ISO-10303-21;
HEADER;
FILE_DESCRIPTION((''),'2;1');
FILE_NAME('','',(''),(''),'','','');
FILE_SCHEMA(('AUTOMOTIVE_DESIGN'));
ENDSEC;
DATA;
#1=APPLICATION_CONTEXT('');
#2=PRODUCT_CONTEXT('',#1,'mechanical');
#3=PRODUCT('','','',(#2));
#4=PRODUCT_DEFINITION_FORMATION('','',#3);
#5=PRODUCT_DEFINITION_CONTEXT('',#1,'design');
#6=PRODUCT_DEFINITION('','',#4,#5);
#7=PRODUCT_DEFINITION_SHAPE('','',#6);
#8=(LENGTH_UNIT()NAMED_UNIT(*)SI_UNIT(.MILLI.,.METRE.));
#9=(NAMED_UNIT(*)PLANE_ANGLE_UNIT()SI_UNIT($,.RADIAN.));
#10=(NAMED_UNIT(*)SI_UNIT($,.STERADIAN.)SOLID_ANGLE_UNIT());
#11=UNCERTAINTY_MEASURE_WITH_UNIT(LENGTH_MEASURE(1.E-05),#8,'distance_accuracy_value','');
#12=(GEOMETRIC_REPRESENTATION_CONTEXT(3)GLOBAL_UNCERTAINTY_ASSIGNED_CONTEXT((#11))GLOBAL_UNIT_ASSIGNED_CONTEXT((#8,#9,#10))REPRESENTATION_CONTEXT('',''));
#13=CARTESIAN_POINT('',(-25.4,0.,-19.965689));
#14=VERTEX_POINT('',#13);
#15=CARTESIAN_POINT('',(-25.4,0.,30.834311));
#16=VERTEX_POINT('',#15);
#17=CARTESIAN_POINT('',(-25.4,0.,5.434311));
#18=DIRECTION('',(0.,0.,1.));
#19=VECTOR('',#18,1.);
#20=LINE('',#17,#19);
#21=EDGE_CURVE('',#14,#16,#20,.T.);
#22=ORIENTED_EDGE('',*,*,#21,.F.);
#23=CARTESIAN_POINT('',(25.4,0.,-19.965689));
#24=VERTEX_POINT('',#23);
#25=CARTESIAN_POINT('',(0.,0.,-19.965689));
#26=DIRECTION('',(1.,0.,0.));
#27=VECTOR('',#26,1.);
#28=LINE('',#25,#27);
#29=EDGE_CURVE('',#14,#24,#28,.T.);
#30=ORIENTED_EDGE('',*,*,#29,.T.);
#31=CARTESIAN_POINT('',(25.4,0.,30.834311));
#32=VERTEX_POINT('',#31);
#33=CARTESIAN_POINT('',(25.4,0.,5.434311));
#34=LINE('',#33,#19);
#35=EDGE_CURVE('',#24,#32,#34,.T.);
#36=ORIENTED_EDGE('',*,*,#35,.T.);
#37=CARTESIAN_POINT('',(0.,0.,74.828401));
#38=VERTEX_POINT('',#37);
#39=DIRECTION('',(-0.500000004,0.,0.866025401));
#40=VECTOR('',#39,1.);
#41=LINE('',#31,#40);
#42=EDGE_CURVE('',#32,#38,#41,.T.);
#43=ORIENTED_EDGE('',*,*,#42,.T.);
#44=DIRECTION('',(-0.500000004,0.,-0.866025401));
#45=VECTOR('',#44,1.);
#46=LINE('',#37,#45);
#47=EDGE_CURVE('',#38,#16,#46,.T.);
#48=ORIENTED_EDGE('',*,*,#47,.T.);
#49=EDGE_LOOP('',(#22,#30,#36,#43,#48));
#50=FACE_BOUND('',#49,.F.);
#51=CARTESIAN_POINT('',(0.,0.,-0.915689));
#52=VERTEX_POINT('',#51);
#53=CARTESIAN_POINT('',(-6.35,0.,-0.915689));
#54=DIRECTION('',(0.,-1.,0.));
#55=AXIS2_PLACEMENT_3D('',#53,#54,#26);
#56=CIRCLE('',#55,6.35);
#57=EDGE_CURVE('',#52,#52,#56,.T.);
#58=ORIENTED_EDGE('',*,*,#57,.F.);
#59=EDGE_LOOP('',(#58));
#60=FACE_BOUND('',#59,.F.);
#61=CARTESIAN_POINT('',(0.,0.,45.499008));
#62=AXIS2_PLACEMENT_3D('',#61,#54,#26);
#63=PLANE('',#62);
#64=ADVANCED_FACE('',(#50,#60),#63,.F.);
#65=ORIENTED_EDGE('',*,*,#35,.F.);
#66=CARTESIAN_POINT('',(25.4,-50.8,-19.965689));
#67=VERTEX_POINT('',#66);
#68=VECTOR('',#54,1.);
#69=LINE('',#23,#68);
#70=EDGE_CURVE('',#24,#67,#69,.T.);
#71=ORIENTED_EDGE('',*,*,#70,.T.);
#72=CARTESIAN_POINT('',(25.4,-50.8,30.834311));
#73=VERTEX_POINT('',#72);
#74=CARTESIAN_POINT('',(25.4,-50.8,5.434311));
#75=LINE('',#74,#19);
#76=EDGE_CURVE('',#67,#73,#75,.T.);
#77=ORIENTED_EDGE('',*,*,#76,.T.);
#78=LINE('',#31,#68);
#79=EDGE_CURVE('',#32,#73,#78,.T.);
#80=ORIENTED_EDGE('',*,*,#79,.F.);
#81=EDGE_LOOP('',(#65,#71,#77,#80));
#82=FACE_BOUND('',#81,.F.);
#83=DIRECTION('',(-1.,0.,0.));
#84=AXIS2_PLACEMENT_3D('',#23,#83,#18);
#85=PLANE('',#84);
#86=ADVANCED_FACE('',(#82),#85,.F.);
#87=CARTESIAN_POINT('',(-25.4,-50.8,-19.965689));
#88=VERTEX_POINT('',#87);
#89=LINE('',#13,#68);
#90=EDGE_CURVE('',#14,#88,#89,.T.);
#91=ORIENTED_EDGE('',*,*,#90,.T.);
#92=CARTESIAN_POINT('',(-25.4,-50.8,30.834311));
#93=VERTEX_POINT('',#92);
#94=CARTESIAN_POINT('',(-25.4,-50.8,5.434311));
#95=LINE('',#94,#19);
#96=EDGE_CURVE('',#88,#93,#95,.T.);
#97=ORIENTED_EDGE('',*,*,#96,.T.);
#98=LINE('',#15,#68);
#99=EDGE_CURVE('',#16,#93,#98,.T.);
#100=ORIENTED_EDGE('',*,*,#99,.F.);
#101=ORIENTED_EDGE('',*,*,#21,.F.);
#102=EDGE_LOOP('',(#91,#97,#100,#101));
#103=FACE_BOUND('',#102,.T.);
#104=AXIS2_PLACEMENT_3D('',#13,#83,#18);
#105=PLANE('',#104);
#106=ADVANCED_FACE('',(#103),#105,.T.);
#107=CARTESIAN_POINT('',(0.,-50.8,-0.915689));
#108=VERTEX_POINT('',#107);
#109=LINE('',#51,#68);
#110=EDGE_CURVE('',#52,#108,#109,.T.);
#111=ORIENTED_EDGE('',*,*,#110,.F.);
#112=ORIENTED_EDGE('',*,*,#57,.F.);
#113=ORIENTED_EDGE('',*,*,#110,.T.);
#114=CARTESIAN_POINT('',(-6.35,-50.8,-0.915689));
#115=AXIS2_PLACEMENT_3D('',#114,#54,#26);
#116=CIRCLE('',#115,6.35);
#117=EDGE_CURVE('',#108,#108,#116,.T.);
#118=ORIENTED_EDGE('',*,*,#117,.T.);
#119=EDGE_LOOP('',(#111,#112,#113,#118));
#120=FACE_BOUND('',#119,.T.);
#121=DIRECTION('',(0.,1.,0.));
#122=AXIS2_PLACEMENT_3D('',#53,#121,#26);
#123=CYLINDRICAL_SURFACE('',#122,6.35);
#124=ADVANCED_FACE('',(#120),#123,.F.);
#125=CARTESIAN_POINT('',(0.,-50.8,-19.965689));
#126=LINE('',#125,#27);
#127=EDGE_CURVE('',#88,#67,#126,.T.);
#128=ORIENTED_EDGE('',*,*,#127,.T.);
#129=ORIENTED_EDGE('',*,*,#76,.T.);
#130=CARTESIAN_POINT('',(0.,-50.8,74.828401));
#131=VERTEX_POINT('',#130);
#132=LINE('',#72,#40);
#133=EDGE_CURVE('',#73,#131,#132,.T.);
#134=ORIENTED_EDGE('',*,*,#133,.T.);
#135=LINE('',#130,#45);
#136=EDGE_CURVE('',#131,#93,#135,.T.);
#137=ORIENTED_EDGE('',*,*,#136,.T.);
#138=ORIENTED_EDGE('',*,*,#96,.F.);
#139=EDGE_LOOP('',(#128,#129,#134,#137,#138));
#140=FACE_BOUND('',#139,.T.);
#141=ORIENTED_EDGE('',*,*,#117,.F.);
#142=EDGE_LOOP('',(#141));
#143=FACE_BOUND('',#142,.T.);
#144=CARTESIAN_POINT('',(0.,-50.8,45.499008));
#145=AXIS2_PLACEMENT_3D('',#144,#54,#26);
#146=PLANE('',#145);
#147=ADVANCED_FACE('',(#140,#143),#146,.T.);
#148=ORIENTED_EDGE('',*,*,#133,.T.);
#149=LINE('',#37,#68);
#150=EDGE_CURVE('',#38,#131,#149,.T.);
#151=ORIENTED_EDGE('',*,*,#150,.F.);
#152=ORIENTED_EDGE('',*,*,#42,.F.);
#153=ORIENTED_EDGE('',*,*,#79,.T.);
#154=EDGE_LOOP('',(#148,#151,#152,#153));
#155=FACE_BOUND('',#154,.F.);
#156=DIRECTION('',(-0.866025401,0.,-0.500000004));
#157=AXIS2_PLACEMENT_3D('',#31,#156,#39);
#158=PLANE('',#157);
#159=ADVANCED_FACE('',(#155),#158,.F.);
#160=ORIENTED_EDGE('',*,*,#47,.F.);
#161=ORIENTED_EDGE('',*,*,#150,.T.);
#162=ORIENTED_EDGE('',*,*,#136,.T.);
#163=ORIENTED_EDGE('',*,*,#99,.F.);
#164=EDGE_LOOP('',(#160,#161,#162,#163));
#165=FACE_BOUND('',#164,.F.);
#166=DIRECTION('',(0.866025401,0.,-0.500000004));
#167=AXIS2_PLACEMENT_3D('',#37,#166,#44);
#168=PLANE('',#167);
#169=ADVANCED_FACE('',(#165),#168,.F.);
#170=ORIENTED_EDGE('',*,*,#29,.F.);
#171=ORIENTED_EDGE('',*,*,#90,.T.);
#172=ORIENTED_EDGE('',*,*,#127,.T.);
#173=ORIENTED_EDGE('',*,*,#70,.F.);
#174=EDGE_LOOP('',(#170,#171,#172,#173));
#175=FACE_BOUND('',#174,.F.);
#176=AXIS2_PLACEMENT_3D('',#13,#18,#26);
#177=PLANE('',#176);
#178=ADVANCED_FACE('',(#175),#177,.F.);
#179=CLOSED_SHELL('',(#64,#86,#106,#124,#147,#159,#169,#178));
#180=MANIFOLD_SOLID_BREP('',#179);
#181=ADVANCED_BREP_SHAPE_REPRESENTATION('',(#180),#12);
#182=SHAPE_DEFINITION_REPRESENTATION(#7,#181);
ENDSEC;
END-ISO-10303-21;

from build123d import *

# Parameters (mm, degrees)
F0_W     = 50.8
F0_H     = 50.8
F0_R     = 6.35
F1_DEPTH = 50.8


with BuildPart() as f1:
    # F0 (on Front) → F1 (new body)
    with BuildSketch(Plane.XZ):
        Polygon((0, 74.828401), (-25.4, 30.834311), (25.4, 30.834311), align=None)
        with Locations((0, 5.434311)):
            Rectangle(F0_W, F0_H)
        with Locations((-6.35, -0.915689)):
            Circle(F0_R, mode=Mode.SUBTRACT)
    extrude(amount=F1_DEPTH)


solid = f1.part
